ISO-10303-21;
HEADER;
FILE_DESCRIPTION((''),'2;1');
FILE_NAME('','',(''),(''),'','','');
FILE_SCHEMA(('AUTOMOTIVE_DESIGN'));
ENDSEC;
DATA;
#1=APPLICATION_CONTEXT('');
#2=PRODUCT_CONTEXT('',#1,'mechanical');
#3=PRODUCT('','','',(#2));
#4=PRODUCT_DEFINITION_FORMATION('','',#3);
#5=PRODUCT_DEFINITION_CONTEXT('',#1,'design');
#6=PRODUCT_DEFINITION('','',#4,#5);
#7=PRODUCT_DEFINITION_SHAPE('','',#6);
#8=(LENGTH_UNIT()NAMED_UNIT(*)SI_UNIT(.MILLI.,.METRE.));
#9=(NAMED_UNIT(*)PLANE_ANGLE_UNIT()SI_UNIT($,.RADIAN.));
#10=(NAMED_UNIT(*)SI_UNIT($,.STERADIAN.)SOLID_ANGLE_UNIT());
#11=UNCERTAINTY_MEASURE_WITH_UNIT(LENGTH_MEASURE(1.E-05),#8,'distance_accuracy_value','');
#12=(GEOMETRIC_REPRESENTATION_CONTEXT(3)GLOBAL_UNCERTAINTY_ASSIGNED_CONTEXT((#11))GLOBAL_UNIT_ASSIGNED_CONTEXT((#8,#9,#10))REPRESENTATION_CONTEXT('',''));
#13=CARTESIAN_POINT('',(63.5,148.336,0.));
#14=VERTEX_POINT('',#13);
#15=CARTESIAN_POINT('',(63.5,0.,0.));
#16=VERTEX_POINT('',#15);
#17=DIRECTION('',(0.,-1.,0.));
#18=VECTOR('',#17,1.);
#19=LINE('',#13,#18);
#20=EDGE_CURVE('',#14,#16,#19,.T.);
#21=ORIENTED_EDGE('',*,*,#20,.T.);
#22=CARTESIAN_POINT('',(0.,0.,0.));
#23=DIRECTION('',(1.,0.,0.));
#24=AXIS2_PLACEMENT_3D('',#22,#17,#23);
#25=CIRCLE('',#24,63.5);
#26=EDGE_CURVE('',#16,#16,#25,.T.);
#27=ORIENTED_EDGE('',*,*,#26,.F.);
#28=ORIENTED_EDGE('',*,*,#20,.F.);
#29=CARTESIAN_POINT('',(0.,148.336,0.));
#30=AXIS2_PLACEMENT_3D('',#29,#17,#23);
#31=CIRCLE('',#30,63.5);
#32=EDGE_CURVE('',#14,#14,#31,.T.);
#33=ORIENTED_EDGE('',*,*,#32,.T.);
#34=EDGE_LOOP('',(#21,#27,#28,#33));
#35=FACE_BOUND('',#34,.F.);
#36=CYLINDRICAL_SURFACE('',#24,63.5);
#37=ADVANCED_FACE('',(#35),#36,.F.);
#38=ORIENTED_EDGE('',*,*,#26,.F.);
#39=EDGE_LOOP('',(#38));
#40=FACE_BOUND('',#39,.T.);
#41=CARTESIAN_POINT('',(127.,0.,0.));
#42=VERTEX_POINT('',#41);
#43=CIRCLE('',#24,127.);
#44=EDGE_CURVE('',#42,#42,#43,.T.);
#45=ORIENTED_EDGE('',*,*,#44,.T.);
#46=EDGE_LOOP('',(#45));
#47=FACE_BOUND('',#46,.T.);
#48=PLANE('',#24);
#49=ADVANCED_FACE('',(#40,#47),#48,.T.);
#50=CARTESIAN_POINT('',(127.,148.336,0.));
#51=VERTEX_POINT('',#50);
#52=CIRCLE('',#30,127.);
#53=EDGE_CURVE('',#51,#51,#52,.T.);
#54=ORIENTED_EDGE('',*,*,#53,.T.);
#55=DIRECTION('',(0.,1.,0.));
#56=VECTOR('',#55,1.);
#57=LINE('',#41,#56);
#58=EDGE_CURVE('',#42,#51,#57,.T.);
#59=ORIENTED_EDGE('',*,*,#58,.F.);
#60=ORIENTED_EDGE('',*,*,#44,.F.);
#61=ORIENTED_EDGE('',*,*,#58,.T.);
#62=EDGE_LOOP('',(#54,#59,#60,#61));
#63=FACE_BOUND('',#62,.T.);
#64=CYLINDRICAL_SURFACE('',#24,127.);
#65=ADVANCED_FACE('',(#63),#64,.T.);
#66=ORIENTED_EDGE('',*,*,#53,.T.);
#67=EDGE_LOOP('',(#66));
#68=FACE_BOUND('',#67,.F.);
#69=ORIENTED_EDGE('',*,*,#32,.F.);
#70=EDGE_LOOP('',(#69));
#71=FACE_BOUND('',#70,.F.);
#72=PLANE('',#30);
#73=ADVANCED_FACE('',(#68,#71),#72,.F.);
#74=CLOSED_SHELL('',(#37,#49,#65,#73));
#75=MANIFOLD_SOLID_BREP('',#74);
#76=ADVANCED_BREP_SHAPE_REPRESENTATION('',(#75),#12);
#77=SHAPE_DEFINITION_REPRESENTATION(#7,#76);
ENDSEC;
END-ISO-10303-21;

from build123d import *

# Parameters (mm, degrees)
F2_R          = 127
F3_DEPTH      = 148.336
F0_R          = 63.5
F4_DEPTH      = 280.924
F4_DEPTH_BACK = 25.4


with BuildPart() as f3:
    # F2 (on Front) → F3 (new body)
    with BuildSketch(Plane.XZ):
        Circle(F2_R)
    extrude(amount=-F3_DEPTH)

    # F0 (on Front) → F4 (cut, two sides)
    with BuildSketch(Plane.XZ) as f4_sk:
        Circle(F0_R)
    extrude(amount=-F4_DEPTH, mode=Mode.SUBTRACT)
    extrude(f4_sk.sketch, amount=-F4_DEPTH_BACK, mode=Mode.SUBTRACT)


solid = f3.part
